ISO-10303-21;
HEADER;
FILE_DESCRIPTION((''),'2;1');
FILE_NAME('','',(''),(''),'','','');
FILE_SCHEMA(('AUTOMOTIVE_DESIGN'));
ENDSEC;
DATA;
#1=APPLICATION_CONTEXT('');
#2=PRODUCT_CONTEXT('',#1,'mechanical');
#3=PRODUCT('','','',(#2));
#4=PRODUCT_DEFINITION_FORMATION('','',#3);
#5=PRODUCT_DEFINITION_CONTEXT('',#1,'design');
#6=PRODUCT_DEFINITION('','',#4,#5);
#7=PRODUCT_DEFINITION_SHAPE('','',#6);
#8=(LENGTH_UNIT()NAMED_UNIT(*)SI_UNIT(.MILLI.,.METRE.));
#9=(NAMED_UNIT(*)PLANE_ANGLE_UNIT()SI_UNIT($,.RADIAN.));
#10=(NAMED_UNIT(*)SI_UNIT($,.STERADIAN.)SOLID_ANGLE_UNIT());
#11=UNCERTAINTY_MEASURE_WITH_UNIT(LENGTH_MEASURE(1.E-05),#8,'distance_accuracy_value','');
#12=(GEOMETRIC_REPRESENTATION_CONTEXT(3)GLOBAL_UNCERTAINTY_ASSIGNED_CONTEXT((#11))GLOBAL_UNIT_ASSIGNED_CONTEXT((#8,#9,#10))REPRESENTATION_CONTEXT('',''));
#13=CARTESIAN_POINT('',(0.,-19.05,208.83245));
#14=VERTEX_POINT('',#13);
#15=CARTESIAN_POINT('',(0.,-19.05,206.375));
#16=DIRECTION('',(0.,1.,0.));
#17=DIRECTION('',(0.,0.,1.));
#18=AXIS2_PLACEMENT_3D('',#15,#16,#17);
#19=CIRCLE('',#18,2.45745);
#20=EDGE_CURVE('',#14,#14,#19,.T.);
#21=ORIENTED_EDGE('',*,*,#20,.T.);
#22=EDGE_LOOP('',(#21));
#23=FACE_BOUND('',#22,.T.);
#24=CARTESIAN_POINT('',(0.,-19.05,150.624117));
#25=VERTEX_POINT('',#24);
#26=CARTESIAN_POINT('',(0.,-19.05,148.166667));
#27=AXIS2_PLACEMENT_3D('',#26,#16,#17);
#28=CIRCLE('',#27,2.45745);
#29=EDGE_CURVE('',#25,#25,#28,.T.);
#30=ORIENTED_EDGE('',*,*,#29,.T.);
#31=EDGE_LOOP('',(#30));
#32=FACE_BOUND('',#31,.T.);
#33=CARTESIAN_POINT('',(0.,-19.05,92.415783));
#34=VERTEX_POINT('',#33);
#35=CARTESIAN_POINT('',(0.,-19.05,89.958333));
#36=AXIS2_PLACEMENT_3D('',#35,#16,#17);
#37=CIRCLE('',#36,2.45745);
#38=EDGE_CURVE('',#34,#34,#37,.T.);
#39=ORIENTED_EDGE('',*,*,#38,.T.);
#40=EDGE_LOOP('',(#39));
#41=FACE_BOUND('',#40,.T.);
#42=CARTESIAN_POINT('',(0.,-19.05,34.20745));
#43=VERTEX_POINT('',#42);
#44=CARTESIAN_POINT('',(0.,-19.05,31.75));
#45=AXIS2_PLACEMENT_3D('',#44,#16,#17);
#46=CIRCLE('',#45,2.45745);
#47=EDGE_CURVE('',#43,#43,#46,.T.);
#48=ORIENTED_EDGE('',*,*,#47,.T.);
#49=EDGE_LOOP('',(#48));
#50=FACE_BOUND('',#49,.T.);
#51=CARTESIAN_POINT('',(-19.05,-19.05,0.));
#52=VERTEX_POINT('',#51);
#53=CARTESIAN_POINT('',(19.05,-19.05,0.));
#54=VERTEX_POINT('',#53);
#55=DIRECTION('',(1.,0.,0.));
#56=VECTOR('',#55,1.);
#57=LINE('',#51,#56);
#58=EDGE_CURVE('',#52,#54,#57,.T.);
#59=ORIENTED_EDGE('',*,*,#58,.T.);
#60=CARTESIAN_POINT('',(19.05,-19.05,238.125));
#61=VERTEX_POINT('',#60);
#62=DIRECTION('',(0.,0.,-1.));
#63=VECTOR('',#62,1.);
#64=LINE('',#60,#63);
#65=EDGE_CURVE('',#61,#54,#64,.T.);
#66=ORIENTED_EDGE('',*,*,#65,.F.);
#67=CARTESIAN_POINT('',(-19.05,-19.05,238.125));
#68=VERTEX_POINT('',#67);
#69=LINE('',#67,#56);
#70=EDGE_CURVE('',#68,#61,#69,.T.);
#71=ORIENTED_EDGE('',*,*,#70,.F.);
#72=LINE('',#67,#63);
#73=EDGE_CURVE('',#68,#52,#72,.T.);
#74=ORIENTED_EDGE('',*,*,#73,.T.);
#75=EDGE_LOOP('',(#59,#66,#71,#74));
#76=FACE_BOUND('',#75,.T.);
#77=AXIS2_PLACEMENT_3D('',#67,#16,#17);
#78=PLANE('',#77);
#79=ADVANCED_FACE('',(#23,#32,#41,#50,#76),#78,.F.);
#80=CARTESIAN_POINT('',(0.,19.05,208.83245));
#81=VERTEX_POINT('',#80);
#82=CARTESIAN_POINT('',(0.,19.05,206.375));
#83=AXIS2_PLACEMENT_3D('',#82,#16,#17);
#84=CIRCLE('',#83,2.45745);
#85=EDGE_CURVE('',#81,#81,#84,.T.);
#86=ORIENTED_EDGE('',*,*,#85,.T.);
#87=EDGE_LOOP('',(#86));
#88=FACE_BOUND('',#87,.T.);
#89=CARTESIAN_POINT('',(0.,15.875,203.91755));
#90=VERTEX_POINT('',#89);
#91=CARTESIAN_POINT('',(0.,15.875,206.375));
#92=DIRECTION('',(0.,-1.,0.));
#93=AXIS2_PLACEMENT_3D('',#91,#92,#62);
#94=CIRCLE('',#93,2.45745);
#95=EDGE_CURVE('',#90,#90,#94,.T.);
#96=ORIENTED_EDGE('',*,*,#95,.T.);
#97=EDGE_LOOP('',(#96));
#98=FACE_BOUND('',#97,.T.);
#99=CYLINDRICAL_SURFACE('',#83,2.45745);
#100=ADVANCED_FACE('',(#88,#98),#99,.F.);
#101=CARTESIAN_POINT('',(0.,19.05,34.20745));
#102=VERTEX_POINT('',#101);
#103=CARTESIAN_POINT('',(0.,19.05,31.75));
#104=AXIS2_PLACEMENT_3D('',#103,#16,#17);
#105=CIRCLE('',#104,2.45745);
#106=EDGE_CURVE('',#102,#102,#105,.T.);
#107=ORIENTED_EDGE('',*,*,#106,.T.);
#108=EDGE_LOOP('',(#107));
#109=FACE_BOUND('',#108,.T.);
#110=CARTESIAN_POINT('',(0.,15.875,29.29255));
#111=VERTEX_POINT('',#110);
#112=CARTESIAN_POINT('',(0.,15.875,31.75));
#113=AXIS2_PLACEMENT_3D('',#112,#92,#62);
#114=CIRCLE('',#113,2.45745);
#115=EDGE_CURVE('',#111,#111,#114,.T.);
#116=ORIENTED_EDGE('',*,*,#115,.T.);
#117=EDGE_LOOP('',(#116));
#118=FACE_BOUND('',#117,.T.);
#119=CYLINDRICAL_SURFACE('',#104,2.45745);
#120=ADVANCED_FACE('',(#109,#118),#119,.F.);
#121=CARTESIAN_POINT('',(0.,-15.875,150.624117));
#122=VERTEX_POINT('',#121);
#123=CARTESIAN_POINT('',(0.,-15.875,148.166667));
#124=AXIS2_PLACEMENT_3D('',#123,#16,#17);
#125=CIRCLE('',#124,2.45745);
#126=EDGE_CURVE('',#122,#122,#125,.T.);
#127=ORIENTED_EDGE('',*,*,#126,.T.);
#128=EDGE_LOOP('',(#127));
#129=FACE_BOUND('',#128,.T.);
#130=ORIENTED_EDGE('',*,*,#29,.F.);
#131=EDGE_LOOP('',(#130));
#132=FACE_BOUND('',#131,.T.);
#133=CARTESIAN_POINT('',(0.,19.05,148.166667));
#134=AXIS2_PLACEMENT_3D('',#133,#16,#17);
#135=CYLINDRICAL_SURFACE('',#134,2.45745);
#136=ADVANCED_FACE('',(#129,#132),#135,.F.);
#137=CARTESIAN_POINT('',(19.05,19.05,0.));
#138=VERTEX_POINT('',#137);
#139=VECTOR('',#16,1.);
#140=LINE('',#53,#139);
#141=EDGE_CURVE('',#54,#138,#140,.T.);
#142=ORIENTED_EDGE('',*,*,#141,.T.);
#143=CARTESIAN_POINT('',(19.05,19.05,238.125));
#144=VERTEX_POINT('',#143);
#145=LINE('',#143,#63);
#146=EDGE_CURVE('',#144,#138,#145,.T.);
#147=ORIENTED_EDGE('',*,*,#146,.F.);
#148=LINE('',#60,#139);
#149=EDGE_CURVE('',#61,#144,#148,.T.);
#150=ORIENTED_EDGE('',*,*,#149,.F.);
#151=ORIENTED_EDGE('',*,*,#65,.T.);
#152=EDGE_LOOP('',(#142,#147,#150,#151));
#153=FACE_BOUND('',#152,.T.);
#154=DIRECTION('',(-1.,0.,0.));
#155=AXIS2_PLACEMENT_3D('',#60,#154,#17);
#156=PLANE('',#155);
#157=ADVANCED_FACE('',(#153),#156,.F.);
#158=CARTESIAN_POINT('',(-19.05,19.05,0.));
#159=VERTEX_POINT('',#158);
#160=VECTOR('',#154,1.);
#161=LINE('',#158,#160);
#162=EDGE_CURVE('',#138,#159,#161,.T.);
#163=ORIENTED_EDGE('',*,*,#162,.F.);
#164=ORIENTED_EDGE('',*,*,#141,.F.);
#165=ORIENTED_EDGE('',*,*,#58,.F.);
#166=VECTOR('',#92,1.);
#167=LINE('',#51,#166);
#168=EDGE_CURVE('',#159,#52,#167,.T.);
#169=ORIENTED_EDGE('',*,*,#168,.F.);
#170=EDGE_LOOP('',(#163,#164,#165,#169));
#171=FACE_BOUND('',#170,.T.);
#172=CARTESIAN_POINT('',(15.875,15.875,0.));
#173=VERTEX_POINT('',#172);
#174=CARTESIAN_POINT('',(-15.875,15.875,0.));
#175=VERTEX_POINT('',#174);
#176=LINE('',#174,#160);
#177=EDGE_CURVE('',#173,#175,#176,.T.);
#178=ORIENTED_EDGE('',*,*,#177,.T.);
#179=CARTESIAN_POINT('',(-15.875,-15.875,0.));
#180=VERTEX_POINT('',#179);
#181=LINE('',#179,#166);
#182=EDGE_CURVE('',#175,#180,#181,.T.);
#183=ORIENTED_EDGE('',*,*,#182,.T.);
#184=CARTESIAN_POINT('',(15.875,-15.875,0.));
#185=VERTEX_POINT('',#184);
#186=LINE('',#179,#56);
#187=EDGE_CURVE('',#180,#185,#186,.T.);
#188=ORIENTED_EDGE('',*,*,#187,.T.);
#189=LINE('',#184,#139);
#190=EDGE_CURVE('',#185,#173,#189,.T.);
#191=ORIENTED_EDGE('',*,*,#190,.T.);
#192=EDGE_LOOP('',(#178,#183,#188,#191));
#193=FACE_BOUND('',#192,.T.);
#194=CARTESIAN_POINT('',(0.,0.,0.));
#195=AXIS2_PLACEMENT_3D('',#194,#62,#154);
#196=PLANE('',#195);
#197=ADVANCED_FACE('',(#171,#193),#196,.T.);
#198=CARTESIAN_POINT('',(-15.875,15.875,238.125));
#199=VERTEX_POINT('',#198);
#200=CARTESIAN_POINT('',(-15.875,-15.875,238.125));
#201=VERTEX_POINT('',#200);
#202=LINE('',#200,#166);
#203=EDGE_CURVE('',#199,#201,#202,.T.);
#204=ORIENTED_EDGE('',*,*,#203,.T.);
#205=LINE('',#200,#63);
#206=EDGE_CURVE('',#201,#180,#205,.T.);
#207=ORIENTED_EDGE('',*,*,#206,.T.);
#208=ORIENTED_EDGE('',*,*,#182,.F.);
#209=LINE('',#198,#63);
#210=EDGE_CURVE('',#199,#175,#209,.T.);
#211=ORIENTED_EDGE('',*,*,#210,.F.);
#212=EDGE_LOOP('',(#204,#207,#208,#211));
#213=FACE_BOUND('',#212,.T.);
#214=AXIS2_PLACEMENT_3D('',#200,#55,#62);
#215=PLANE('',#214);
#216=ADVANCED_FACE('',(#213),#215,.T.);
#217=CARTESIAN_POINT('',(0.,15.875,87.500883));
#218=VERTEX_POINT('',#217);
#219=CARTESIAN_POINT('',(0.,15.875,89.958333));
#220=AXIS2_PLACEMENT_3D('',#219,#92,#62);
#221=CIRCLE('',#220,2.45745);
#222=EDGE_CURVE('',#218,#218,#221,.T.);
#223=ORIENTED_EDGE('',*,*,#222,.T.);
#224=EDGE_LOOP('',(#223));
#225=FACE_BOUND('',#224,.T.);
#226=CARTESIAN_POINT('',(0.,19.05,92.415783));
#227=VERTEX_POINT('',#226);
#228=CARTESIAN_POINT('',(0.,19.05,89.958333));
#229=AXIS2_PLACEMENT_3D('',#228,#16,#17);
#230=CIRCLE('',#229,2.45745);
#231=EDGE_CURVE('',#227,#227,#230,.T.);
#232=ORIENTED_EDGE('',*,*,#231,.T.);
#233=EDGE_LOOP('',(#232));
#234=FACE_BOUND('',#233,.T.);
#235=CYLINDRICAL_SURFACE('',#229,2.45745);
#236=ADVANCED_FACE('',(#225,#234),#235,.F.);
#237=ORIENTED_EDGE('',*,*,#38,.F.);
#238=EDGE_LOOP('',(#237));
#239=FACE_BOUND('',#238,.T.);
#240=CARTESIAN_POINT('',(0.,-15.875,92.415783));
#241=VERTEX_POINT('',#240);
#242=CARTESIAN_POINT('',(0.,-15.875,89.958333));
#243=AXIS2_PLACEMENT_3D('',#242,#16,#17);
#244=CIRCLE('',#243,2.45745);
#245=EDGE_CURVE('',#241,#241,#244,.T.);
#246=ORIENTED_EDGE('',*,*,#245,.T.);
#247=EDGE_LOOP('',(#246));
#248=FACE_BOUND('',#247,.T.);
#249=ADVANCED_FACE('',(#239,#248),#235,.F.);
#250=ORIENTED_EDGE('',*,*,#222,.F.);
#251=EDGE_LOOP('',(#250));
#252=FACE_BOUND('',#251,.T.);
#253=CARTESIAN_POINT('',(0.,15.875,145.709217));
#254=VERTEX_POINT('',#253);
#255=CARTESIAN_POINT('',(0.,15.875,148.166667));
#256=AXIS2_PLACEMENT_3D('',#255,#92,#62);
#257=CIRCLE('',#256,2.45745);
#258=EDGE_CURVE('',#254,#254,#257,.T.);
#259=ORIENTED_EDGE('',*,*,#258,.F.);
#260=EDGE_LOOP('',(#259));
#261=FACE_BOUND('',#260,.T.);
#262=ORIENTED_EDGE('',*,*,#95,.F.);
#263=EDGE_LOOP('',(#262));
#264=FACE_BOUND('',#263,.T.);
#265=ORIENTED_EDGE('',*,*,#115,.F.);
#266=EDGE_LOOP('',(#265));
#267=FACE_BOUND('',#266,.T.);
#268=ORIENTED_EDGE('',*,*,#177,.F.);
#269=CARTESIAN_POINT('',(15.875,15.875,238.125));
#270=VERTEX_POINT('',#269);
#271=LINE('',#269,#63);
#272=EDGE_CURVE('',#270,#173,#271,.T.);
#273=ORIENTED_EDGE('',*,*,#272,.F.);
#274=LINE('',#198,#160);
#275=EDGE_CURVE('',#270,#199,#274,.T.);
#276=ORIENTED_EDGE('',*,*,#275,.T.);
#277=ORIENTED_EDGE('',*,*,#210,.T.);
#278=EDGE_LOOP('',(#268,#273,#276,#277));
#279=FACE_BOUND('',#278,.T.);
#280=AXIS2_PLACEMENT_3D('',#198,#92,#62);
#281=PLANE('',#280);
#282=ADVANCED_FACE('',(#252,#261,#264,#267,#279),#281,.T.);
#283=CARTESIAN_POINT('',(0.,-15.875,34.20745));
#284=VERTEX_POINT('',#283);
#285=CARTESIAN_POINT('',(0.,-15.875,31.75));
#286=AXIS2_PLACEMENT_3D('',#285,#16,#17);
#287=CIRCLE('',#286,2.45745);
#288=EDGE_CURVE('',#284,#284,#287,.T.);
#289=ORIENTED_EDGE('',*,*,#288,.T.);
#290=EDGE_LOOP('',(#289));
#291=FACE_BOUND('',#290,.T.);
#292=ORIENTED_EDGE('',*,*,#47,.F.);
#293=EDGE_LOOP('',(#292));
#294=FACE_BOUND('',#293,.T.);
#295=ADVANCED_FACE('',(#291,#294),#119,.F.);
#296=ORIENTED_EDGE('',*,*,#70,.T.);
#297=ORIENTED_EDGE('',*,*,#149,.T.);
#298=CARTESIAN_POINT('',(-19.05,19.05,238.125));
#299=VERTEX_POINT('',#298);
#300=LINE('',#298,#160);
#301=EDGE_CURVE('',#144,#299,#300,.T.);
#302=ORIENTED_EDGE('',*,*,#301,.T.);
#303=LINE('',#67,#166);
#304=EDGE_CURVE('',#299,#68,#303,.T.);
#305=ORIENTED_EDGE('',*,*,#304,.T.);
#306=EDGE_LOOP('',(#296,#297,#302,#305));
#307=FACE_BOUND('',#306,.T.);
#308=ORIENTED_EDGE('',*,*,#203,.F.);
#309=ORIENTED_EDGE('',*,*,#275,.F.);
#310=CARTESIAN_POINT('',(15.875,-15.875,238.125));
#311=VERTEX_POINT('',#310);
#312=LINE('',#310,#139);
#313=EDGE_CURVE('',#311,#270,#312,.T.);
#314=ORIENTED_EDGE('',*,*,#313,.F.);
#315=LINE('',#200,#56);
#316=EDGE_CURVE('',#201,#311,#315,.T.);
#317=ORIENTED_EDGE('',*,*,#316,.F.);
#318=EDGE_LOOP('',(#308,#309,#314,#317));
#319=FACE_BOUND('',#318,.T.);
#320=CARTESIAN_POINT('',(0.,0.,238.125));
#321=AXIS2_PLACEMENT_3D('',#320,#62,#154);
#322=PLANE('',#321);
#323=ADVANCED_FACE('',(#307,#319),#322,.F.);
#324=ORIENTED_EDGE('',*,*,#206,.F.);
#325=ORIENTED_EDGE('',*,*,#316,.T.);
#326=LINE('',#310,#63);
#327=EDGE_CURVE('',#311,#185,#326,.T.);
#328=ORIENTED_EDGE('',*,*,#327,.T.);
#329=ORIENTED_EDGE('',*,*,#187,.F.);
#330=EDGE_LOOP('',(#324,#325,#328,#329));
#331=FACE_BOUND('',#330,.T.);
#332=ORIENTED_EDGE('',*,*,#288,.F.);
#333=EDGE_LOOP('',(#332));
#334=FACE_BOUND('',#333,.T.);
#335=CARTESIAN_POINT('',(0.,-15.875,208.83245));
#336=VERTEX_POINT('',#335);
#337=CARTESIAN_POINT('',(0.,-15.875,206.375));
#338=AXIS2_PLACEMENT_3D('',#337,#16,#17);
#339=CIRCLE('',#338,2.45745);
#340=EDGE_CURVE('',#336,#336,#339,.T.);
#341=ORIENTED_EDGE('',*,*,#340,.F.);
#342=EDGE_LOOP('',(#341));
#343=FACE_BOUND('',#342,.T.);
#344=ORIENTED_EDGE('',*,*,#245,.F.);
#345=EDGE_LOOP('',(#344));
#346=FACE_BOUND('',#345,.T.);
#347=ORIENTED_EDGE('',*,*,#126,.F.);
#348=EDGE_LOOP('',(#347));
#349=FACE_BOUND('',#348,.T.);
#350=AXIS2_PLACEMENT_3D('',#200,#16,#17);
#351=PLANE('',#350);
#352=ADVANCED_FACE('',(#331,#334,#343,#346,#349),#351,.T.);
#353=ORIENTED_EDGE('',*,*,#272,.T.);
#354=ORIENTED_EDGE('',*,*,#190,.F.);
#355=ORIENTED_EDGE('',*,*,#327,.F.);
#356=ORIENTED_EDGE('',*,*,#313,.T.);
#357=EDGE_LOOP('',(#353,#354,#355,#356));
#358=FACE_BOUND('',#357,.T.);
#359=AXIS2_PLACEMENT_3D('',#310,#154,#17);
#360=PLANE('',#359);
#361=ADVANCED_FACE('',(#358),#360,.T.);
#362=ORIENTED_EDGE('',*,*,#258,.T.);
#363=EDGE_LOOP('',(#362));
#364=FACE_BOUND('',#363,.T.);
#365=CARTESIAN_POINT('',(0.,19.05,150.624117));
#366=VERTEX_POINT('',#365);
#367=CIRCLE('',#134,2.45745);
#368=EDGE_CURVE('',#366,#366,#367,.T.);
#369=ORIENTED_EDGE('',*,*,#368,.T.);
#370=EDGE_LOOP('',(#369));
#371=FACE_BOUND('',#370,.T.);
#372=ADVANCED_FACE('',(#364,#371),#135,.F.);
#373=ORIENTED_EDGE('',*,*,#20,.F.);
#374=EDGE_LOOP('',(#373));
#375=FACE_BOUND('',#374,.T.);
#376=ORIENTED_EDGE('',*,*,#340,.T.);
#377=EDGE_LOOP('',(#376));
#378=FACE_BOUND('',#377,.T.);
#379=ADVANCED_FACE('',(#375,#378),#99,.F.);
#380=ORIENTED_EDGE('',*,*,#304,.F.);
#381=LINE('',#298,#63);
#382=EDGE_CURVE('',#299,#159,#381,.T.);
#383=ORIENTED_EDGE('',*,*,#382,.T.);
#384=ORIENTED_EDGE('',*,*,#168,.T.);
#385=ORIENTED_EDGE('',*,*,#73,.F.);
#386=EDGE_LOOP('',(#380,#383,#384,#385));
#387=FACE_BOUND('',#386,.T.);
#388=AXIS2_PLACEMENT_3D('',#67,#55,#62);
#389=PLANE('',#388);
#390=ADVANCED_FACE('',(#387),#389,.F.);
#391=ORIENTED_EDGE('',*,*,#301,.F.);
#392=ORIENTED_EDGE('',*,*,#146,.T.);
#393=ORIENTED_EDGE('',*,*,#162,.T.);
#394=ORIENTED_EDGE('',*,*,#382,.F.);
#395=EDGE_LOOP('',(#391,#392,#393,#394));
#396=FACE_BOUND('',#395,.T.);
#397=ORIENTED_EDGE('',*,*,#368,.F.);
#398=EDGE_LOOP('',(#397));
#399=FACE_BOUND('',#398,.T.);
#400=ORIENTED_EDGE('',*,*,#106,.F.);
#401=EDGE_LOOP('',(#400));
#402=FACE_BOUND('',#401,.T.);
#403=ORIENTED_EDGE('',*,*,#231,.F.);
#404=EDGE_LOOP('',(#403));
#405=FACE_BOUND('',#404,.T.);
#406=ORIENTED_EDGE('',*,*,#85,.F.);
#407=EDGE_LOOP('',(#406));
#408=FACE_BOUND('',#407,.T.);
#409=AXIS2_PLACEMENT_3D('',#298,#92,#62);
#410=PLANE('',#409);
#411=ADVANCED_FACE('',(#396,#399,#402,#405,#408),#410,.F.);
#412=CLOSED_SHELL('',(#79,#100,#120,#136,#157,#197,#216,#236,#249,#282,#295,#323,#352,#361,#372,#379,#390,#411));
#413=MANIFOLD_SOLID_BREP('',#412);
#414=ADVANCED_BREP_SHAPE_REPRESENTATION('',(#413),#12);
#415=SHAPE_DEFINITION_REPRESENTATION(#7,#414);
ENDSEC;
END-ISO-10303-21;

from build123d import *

# Parameters (mm, degrees)
SKETCH1_W                    = 38.1
SKETCH1_H                    = 38.1
SKETCH1_W_2                  = 31.75
SKETCH1_H_2                  = 31.75
BOSS_EXTRUDE1_DEPTH          = 238.125
F_10_0_1935_DIAMETER_HOLE2_D = 4.9149


with BuildPart() as part:
    # Sketch1 → Boss-Extrude1 (new body)
    with BuildSketch(Plane.XY):
        Rectangle(SKETCH1_W, SKETCH1_H)
        Rectangle(SKETCH1_W_2, SKETCH1_H_2, mode=Mode.SUBTRACT)
    extrude(amount=BOSS_EXTRUDE1_DEPTH)

    # #10 (0.1935) Diameter Hole2 (through all)
    with Locations(Plane(origin=(0, 19.05, 0), x_dir=(1, 0, 0), z_dir=(0, 1, 0))):
        with Locations((0, -31.75), (0, -89.958333333), (0, -148.166666667), (0, -206.375)):
            Hole(F_10_0_1935_DIAMETER_HOLE2_D / 2)


solid = part.part
